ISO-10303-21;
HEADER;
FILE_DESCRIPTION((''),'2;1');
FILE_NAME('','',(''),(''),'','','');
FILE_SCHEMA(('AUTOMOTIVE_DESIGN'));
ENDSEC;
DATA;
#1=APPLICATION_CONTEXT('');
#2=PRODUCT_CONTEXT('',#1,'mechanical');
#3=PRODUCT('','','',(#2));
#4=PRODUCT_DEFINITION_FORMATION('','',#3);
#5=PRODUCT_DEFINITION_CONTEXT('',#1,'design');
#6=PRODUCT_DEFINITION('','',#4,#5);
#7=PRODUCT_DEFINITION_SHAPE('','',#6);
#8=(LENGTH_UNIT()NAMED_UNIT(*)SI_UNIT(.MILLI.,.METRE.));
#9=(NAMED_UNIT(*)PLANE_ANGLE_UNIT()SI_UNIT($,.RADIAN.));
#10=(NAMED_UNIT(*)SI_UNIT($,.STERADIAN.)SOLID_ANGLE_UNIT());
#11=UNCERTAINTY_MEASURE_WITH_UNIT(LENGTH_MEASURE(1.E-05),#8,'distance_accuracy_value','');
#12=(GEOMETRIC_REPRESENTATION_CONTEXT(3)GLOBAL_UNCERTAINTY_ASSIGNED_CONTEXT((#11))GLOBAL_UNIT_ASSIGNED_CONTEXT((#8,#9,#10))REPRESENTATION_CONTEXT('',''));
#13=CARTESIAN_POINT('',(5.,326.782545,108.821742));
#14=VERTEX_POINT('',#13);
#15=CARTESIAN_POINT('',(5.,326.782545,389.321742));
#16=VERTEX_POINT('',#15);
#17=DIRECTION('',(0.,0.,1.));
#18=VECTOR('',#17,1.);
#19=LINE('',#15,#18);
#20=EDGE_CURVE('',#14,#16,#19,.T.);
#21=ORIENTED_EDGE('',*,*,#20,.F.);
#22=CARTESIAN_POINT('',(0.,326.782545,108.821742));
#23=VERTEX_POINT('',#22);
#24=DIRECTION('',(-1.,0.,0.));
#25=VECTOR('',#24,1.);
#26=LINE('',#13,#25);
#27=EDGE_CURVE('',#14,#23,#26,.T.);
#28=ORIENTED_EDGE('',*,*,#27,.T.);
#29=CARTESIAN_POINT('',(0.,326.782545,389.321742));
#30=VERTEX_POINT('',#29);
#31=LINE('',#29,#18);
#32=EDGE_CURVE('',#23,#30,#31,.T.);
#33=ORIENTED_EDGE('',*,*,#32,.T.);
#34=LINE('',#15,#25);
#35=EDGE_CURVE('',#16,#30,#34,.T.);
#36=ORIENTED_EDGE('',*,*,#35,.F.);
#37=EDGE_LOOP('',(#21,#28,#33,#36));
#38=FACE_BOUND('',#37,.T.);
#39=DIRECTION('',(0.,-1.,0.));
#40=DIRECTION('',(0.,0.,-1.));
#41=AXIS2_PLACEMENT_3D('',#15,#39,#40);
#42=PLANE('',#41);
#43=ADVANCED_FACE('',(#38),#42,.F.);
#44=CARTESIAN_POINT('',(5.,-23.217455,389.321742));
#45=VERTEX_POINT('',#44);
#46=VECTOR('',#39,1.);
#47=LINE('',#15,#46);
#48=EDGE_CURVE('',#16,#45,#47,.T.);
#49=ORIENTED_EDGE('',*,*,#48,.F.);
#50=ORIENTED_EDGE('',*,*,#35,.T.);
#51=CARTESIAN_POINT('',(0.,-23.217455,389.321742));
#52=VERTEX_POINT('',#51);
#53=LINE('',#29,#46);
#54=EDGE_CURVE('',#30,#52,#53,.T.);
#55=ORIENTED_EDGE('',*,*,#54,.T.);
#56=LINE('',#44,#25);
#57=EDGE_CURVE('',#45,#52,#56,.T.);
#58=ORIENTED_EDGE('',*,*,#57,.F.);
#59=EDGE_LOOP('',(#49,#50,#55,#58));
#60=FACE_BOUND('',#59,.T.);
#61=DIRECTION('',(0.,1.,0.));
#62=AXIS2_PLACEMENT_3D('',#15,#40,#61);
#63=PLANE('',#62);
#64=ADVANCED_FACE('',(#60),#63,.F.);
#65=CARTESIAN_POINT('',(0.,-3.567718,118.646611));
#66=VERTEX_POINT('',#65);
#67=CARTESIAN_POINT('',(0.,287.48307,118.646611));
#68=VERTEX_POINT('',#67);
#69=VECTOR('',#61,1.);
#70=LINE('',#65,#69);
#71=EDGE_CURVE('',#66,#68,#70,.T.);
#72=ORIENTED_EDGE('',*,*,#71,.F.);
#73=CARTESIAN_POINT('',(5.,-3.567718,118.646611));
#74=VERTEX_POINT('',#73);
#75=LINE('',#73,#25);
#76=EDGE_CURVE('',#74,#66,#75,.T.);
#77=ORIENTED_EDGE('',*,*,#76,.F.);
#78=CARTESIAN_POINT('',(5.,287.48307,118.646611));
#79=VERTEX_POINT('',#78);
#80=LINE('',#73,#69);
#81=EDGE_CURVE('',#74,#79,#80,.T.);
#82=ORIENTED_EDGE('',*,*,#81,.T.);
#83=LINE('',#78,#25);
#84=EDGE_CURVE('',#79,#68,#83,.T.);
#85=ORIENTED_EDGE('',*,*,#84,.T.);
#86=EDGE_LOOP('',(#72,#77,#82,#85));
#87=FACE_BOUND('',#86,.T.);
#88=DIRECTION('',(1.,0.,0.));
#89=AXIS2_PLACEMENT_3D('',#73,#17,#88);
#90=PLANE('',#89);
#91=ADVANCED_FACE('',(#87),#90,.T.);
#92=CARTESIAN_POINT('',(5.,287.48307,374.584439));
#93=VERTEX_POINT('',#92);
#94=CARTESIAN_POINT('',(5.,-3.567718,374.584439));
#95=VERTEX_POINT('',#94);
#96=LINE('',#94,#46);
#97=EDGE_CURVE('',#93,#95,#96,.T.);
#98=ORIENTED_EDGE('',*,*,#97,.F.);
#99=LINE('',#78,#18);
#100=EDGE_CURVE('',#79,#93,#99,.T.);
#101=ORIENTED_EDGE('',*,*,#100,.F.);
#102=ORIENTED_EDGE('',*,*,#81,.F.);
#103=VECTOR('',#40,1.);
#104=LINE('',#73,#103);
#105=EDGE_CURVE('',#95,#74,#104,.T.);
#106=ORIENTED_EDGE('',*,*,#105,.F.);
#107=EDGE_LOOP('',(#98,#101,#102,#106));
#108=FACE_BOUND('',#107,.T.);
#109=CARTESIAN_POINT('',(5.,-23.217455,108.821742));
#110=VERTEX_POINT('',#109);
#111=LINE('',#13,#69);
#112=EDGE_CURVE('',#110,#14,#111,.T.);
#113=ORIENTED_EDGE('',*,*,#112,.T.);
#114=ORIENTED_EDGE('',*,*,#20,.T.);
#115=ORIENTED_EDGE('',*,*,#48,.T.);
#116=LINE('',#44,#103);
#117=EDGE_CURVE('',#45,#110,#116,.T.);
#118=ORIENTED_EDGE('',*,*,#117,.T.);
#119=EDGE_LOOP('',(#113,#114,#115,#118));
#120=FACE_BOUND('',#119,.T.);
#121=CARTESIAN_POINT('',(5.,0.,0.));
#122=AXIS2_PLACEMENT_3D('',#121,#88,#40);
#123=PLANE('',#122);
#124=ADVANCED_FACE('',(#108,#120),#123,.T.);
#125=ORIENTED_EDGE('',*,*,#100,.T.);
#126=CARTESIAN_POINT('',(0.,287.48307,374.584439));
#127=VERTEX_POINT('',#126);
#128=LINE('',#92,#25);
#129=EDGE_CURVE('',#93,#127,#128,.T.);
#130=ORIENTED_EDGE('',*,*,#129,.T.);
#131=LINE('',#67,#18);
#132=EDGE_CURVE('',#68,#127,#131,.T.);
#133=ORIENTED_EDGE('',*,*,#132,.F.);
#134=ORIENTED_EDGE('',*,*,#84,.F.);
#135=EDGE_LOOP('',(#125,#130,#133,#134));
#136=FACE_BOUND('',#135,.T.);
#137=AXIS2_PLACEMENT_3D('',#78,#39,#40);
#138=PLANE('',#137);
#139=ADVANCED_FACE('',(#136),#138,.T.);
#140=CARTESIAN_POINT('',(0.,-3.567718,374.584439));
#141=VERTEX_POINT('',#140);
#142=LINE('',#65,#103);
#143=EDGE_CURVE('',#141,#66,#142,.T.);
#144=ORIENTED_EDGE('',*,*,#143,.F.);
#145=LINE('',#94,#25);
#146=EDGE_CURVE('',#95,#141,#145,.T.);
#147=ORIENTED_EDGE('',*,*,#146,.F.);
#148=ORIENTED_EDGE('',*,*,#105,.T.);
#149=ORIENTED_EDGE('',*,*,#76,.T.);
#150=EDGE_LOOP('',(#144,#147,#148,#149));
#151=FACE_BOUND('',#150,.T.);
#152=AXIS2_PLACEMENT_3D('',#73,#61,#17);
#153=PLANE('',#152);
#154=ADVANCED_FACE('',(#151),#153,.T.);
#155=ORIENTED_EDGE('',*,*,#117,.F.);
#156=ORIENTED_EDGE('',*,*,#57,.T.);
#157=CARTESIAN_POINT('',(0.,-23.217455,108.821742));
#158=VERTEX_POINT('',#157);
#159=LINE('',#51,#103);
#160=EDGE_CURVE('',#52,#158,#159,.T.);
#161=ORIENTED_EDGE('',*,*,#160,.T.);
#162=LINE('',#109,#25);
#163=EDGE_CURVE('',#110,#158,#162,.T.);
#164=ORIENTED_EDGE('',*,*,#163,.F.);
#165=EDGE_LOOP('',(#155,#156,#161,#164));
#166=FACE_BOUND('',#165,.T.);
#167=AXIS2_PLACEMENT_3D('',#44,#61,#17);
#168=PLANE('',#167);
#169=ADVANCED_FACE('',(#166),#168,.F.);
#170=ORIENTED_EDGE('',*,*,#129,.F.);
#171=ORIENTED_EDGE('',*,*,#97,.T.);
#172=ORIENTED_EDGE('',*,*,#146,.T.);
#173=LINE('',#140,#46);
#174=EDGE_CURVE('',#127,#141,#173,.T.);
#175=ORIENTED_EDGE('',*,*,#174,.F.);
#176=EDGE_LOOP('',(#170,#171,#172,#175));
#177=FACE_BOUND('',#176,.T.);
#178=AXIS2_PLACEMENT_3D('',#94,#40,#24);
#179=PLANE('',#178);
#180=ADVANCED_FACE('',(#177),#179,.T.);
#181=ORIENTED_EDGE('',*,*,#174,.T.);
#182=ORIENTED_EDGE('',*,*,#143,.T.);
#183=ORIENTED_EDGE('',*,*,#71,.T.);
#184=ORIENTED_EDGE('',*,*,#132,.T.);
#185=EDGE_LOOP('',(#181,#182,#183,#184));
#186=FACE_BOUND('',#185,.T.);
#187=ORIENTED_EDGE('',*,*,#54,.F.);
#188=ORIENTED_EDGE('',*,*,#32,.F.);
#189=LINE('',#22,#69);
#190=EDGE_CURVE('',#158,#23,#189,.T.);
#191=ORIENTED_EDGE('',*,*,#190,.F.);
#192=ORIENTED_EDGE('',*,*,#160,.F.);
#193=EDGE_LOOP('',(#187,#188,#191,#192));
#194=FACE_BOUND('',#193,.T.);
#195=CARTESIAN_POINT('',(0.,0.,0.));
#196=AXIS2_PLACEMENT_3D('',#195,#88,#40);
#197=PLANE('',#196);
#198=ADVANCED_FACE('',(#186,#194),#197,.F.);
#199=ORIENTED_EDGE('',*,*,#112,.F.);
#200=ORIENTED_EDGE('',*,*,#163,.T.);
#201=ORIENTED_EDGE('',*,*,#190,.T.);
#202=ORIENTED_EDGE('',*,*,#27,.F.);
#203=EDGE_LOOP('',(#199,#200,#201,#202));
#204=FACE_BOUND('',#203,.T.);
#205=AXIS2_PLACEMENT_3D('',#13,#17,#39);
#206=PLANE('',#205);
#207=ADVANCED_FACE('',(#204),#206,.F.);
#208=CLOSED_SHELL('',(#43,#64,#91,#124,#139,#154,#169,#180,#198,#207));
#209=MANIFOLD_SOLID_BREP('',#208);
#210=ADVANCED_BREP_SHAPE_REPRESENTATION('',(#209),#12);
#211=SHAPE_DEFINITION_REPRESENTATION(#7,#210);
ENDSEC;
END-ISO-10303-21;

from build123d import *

# Parameters (mm, degrees)
CROQUIS1_W              = 280.5
CROQUIS1_H              = 350
CROQUIS1_W_2            = 255.937828371
CROQUIS1_H_2            = 291.050788091
SALIENTE_EXTRUIR2_DEPTH = 5


with BuildPart() as part:
    # Croquis1 → Saliente-Extruir2 (new body)
    with BuildSketch(Plane(origin=(0, 0, 0), x_dir=(0, 0, -1), z_dir=(1, 0, 0))):
        with Locations((-249.071741886, 151.782544853)):
            Rectangle(CROQUIS1_W, CROQUIS1_H)
        with Locations((-246.615524724, 141.957676201)):
            Rectangle(CROQUIS1_W_2, CROQUIS1_H_2, mode=Mode.SUBTRACT)
    extrude(amount=SALIENTE_EXTRUIR2_DEPTH)


solid = part.part
